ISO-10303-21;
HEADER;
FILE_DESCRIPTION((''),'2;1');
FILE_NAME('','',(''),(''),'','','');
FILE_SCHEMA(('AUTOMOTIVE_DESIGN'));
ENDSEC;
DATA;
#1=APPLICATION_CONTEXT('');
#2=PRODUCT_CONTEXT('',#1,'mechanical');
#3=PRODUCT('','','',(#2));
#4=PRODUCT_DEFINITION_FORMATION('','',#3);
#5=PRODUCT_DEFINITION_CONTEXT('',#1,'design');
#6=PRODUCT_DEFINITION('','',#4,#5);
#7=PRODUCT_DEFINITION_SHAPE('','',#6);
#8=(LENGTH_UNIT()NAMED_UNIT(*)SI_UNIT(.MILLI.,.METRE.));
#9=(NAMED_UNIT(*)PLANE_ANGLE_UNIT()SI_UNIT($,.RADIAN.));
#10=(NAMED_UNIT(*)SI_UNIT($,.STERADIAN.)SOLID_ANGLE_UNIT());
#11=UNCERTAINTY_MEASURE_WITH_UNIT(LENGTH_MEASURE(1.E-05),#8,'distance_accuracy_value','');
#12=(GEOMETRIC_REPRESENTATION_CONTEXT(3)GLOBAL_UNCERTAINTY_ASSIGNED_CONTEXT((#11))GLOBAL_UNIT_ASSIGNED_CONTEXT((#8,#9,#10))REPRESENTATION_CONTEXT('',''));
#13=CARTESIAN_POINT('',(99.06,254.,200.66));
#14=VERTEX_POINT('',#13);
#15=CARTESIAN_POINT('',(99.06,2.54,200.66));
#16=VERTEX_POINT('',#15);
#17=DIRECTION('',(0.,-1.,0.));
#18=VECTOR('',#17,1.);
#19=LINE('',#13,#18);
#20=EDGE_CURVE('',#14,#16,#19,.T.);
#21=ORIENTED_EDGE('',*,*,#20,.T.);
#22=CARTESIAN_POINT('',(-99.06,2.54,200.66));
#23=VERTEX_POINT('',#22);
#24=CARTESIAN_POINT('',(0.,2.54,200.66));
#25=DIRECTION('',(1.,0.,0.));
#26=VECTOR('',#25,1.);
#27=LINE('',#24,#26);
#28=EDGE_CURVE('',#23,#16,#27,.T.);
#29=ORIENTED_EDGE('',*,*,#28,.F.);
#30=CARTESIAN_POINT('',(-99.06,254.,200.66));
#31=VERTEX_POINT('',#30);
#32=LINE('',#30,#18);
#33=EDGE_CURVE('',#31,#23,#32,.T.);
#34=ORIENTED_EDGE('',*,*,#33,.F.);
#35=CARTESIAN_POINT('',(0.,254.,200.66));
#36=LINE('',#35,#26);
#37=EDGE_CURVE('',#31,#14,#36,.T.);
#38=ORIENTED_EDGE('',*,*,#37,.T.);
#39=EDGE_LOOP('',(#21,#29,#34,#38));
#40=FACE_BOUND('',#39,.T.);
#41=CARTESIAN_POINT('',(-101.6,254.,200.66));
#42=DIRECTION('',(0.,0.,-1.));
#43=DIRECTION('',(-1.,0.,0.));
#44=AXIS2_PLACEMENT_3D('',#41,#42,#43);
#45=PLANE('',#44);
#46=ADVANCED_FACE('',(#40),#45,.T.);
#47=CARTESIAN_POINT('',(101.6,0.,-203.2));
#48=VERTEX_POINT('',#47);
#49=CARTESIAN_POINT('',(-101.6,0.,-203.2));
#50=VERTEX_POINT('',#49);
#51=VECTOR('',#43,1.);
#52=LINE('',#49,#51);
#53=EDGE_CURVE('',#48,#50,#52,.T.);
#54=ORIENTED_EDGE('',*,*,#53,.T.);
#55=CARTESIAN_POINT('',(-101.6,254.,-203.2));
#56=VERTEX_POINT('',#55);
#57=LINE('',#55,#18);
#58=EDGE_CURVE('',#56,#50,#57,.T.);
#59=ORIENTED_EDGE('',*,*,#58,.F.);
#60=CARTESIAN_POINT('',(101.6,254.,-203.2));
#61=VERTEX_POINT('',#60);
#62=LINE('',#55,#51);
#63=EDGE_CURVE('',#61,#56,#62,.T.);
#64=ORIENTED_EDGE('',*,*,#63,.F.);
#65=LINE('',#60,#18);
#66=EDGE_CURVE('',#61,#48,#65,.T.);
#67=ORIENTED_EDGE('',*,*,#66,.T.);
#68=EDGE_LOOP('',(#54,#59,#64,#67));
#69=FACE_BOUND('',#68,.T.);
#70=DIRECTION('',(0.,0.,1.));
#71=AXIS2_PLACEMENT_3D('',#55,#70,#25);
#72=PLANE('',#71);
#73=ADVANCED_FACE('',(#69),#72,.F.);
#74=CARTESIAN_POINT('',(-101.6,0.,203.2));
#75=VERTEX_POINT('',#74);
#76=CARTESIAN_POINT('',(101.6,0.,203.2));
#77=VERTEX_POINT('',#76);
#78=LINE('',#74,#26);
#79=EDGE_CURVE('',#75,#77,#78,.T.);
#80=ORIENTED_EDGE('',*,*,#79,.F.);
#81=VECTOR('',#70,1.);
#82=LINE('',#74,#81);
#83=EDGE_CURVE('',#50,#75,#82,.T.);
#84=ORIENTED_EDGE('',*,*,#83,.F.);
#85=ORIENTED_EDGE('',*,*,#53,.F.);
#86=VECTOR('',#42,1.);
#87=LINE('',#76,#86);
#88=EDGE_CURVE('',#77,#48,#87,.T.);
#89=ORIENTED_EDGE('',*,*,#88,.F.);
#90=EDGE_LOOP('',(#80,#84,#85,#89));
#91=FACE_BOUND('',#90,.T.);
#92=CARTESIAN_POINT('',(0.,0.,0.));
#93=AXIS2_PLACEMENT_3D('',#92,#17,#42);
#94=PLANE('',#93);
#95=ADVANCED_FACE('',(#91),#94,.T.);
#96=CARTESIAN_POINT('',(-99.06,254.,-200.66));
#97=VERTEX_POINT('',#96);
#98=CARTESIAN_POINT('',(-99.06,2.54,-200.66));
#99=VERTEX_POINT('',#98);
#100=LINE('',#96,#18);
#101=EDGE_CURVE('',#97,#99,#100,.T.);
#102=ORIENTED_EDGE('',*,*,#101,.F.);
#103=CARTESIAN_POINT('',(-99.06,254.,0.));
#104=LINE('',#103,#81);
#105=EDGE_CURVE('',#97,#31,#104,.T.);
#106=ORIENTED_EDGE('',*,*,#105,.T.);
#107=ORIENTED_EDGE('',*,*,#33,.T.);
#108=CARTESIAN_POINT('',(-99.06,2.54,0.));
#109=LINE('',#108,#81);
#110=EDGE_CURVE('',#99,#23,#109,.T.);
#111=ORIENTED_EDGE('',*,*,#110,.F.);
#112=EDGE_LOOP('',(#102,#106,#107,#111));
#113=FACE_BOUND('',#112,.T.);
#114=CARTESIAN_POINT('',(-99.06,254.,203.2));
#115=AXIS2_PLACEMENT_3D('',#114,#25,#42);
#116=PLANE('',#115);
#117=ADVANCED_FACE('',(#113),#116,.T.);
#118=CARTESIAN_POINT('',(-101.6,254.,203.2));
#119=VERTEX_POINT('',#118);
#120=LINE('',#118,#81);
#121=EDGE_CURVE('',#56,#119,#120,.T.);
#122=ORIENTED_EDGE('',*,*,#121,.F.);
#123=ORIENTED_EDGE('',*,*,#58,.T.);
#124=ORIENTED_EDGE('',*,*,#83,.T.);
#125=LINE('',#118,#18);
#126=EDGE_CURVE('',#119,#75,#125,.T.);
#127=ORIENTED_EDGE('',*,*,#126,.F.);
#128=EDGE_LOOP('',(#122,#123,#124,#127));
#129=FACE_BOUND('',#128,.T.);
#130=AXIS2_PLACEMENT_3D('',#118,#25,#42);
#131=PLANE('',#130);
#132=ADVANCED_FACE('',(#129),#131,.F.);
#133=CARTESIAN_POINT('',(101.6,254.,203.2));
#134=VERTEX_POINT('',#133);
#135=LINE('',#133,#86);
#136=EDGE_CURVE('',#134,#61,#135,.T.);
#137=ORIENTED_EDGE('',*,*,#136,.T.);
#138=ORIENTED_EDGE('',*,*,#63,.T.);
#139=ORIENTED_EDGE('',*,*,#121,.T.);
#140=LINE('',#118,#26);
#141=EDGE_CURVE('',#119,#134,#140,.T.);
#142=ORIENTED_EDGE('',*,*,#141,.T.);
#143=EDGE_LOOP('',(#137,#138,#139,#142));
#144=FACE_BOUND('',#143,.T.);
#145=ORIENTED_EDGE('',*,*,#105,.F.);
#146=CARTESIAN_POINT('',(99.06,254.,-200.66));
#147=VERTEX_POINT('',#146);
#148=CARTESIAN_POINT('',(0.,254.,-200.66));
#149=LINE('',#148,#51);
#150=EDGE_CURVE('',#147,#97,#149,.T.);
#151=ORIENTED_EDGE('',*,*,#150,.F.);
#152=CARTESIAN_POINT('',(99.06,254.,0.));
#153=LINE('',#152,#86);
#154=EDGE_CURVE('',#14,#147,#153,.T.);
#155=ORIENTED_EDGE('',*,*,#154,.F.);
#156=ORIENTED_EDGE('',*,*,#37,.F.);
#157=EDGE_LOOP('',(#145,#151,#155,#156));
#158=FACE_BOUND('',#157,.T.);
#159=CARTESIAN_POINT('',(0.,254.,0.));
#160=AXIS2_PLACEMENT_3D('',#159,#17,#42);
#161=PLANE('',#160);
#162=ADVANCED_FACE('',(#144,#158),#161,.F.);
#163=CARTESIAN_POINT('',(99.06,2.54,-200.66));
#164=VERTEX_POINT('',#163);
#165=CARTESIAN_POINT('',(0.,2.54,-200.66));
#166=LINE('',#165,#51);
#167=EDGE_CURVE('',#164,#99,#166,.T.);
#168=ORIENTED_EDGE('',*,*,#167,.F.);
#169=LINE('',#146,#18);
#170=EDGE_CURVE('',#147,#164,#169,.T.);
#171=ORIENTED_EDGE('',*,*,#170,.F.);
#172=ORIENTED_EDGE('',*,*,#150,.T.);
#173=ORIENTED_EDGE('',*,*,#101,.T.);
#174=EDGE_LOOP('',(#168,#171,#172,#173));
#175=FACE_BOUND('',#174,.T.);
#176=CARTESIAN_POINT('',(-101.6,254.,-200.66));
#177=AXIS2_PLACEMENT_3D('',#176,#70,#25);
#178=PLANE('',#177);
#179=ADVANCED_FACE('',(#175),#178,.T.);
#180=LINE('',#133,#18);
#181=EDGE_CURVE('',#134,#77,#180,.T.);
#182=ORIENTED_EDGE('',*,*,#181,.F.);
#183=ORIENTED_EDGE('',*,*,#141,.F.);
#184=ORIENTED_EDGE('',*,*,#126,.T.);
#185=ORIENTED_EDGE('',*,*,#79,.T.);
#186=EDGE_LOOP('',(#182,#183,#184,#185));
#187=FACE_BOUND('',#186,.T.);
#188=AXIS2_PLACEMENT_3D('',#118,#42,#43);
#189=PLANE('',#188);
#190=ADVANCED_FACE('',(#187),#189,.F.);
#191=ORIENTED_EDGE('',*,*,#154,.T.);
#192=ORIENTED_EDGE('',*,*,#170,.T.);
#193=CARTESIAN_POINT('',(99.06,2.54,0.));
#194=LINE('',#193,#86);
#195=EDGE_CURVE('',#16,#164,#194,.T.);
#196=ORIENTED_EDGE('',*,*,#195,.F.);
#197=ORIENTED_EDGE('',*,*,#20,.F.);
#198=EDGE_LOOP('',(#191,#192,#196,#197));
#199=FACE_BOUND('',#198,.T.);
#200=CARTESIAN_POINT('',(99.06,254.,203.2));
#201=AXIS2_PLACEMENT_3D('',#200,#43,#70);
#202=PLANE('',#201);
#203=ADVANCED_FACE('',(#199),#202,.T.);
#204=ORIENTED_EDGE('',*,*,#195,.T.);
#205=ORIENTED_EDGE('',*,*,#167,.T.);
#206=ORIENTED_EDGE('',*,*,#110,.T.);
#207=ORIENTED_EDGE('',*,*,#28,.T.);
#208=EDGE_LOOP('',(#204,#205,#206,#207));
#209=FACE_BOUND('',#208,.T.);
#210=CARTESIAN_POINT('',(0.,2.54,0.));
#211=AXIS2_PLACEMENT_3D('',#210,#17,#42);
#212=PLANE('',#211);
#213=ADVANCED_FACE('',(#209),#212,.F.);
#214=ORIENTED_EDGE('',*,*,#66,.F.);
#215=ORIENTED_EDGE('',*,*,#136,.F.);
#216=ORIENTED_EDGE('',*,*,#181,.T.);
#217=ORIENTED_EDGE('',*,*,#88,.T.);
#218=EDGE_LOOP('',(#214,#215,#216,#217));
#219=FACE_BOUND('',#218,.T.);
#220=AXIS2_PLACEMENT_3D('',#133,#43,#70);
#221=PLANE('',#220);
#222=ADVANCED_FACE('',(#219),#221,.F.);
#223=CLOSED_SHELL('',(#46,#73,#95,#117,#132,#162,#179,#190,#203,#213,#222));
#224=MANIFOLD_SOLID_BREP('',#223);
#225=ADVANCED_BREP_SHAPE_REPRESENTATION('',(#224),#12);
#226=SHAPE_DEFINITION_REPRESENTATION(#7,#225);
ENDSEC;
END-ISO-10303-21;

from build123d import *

# Parameters (mm, degrees)
SKETCH1_W           = 203.2
SKETCH1_H           = 406.4
BOSS_EXTRUDE1_DEPTH = 254
SHELL1_T            = -2.54


with BuildPart() as part:
    # Sketch1 → Boss-Extrude1 (new body)
    with BuildSketch(Plane(origin=(0, 0, 0), x_dir=(1, 0, 0), z_dir=(0, 1, 0))):
        Rectangle(SKETCH1_W, SKETCH1_H)
    extrude(amount=BOSS_EXTRUDE1_DEPTH)

    # Shell1
    shell1_openings = [part.faces().sort_by_distance(p)[0] for p in [
        (0, 254, 0),
    ]]
    offset(amount=SHELL1_T, openings=shell1_openings, kind=Kind.INTERSECTION)


solid = part.part
